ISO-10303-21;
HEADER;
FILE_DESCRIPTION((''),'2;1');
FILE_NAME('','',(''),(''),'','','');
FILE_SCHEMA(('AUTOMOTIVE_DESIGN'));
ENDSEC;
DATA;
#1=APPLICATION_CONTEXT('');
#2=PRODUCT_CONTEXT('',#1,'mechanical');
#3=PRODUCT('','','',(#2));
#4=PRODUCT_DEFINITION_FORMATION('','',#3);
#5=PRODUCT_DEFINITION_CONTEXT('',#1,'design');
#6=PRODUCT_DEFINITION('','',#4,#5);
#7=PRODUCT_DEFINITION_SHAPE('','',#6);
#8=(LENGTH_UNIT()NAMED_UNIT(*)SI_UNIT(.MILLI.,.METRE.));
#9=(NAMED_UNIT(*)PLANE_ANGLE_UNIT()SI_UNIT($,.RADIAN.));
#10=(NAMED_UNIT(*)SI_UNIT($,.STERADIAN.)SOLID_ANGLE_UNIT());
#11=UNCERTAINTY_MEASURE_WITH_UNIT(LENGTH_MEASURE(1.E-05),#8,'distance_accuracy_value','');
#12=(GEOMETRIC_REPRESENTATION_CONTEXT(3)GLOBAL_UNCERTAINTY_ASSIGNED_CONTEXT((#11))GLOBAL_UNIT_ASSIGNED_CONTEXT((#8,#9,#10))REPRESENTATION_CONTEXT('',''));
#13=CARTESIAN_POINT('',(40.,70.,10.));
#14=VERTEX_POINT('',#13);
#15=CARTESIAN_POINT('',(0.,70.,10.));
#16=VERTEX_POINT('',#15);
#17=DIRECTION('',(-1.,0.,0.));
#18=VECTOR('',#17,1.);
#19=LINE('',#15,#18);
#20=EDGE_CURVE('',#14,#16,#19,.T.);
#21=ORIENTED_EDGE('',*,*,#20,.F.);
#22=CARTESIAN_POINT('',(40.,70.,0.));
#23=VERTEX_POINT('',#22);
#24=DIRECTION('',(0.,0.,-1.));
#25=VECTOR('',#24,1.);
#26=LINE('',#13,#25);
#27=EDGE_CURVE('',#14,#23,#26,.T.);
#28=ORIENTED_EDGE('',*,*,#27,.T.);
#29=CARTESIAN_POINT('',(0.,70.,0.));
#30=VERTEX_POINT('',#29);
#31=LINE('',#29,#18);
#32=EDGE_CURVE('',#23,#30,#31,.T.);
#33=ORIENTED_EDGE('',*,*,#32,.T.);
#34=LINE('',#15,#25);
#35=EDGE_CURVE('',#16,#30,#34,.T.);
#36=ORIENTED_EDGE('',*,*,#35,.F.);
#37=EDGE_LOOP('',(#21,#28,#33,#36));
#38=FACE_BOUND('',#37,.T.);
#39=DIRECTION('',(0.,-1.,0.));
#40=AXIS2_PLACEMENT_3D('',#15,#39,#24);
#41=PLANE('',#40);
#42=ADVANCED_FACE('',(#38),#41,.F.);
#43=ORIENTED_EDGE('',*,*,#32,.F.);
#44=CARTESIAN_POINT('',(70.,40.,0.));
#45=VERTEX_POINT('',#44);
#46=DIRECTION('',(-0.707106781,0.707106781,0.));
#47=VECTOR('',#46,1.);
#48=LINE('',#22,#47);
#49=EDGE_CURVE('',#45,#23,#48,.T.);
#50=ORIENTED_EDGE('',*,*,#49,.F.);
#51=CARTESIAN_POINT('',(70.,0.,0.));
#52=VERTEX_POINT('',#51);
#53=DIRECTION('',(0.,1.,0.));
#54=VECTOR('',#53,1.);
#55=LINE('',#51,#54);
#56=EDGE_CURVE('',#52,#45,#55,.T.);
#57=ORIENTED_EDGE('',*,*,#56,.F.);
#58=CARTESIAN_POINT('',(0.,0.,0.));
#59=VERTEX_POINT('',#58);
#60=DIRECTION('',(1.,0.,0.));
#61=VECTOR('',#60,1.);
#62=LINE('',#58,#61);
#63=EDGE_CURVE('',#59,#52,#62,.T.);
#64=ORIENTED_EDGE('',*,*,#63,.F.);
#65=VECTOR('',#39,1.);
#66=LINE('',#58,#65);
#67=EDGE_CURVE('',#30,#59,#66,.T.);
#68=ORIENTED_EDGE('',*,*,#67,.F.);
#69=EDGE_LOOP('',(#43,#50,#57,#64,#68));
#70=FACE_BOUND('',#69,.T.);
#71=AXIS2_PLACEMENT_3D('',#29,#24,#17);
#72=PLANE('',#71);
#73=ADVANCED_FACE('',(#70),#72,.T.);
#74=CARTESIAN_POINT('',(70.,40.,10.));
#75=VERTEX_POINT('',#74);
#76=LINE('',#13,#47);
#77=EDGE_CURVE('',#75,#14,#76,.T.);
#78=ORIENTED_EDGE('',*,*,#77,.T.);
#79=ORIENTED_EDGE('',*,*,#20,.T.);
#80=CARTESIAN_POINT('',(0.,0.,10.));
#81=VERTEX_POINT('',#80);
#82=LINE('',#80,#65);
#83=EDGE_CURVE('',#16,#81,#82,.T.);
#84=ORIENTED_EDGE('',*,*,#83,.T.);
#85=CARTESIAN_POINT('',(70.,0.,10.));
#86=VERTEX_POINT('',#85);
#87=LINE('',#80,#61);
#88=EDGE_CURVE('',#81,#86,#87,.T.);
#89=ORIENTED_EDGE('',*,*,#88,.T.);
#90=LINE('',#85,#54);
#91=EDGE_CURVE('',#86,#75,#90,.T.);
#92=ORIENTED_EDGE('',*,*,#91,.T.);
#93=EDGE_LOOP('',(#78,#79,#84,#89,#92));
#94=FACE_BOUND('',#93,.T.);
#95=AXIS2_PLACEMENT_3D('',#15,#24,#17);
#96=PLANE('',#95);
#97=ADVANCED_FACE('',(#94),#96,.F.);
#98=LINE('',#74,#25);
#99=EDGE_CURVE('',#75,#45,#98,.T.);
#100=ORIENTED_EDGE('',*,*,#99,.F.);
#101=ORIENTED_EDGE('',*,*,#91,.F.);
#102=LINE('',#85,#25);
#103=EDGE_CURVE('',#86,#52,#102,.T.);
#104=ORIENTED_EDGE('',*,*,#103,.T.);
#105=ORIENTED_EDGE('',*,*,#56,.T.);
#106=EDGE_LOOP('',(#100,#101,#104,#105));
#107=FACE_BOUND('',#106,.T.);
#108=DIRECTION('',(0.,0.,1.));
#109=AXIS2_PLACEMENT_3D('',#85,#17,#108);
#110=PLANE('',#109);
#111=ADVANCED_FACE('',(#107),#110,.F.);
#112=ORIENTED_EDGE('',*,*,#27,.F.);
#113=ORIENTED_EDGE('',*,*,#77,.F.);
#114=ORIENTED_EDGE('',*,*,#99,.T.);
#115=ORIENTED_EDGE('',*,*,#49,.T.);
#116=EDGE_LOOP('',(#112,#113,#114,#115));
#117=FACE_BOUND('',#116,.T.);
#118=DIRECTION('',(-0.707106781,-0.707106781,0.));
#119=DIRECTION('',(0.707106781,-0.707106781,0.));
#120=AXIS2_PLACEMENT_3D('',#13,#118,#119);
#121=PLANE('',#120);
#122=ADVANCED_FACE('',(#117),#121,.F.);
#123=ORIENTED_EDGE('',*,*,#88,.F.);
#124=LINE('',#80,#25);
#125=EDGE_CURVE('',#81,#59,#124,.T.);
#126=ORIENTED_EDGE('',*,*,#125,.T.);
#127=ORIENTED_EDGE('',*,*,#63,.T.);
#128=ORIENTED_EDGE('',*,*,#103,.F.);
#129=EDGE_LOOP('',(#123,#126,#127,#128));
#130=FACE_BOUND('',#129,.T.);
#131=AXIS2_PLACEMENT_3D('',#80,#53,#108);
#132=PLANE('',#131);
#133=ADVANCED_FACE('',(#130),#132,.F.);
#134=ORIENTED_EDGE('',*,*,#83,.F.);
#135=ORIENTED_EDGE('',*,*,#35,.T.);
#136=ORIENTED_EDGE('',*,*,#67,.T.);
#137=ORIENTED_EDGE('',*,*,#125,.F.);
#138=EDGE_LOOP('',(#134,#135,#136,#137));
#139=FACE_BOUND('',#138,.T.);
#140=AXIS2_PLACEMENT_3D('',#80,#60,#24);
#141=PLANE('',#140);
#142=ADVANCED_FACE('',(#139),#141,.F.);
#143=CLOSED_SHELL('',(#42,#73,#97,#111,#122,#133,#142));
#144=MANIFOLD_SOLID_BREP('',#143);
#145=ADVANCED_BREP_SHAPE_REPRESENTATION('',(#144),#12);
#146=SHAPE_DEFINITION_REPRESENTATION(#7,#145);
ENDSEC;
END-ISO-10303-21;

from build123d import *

# Parameters (mm, degrees)
EXTRUDE_1_DEPTH = 10


with BuildPart() as part:
    # Эскиз1 → Бобышка-Вытянуть1 (new body)
    with BuildSketch(Plane.XY):
        Polygon((40, 70), (70, 40), (70, 0), (0, 0), (0, 70), align=None)
    extrude(amount=EXTRUDE_1_DEPTH)


solid = part.part
